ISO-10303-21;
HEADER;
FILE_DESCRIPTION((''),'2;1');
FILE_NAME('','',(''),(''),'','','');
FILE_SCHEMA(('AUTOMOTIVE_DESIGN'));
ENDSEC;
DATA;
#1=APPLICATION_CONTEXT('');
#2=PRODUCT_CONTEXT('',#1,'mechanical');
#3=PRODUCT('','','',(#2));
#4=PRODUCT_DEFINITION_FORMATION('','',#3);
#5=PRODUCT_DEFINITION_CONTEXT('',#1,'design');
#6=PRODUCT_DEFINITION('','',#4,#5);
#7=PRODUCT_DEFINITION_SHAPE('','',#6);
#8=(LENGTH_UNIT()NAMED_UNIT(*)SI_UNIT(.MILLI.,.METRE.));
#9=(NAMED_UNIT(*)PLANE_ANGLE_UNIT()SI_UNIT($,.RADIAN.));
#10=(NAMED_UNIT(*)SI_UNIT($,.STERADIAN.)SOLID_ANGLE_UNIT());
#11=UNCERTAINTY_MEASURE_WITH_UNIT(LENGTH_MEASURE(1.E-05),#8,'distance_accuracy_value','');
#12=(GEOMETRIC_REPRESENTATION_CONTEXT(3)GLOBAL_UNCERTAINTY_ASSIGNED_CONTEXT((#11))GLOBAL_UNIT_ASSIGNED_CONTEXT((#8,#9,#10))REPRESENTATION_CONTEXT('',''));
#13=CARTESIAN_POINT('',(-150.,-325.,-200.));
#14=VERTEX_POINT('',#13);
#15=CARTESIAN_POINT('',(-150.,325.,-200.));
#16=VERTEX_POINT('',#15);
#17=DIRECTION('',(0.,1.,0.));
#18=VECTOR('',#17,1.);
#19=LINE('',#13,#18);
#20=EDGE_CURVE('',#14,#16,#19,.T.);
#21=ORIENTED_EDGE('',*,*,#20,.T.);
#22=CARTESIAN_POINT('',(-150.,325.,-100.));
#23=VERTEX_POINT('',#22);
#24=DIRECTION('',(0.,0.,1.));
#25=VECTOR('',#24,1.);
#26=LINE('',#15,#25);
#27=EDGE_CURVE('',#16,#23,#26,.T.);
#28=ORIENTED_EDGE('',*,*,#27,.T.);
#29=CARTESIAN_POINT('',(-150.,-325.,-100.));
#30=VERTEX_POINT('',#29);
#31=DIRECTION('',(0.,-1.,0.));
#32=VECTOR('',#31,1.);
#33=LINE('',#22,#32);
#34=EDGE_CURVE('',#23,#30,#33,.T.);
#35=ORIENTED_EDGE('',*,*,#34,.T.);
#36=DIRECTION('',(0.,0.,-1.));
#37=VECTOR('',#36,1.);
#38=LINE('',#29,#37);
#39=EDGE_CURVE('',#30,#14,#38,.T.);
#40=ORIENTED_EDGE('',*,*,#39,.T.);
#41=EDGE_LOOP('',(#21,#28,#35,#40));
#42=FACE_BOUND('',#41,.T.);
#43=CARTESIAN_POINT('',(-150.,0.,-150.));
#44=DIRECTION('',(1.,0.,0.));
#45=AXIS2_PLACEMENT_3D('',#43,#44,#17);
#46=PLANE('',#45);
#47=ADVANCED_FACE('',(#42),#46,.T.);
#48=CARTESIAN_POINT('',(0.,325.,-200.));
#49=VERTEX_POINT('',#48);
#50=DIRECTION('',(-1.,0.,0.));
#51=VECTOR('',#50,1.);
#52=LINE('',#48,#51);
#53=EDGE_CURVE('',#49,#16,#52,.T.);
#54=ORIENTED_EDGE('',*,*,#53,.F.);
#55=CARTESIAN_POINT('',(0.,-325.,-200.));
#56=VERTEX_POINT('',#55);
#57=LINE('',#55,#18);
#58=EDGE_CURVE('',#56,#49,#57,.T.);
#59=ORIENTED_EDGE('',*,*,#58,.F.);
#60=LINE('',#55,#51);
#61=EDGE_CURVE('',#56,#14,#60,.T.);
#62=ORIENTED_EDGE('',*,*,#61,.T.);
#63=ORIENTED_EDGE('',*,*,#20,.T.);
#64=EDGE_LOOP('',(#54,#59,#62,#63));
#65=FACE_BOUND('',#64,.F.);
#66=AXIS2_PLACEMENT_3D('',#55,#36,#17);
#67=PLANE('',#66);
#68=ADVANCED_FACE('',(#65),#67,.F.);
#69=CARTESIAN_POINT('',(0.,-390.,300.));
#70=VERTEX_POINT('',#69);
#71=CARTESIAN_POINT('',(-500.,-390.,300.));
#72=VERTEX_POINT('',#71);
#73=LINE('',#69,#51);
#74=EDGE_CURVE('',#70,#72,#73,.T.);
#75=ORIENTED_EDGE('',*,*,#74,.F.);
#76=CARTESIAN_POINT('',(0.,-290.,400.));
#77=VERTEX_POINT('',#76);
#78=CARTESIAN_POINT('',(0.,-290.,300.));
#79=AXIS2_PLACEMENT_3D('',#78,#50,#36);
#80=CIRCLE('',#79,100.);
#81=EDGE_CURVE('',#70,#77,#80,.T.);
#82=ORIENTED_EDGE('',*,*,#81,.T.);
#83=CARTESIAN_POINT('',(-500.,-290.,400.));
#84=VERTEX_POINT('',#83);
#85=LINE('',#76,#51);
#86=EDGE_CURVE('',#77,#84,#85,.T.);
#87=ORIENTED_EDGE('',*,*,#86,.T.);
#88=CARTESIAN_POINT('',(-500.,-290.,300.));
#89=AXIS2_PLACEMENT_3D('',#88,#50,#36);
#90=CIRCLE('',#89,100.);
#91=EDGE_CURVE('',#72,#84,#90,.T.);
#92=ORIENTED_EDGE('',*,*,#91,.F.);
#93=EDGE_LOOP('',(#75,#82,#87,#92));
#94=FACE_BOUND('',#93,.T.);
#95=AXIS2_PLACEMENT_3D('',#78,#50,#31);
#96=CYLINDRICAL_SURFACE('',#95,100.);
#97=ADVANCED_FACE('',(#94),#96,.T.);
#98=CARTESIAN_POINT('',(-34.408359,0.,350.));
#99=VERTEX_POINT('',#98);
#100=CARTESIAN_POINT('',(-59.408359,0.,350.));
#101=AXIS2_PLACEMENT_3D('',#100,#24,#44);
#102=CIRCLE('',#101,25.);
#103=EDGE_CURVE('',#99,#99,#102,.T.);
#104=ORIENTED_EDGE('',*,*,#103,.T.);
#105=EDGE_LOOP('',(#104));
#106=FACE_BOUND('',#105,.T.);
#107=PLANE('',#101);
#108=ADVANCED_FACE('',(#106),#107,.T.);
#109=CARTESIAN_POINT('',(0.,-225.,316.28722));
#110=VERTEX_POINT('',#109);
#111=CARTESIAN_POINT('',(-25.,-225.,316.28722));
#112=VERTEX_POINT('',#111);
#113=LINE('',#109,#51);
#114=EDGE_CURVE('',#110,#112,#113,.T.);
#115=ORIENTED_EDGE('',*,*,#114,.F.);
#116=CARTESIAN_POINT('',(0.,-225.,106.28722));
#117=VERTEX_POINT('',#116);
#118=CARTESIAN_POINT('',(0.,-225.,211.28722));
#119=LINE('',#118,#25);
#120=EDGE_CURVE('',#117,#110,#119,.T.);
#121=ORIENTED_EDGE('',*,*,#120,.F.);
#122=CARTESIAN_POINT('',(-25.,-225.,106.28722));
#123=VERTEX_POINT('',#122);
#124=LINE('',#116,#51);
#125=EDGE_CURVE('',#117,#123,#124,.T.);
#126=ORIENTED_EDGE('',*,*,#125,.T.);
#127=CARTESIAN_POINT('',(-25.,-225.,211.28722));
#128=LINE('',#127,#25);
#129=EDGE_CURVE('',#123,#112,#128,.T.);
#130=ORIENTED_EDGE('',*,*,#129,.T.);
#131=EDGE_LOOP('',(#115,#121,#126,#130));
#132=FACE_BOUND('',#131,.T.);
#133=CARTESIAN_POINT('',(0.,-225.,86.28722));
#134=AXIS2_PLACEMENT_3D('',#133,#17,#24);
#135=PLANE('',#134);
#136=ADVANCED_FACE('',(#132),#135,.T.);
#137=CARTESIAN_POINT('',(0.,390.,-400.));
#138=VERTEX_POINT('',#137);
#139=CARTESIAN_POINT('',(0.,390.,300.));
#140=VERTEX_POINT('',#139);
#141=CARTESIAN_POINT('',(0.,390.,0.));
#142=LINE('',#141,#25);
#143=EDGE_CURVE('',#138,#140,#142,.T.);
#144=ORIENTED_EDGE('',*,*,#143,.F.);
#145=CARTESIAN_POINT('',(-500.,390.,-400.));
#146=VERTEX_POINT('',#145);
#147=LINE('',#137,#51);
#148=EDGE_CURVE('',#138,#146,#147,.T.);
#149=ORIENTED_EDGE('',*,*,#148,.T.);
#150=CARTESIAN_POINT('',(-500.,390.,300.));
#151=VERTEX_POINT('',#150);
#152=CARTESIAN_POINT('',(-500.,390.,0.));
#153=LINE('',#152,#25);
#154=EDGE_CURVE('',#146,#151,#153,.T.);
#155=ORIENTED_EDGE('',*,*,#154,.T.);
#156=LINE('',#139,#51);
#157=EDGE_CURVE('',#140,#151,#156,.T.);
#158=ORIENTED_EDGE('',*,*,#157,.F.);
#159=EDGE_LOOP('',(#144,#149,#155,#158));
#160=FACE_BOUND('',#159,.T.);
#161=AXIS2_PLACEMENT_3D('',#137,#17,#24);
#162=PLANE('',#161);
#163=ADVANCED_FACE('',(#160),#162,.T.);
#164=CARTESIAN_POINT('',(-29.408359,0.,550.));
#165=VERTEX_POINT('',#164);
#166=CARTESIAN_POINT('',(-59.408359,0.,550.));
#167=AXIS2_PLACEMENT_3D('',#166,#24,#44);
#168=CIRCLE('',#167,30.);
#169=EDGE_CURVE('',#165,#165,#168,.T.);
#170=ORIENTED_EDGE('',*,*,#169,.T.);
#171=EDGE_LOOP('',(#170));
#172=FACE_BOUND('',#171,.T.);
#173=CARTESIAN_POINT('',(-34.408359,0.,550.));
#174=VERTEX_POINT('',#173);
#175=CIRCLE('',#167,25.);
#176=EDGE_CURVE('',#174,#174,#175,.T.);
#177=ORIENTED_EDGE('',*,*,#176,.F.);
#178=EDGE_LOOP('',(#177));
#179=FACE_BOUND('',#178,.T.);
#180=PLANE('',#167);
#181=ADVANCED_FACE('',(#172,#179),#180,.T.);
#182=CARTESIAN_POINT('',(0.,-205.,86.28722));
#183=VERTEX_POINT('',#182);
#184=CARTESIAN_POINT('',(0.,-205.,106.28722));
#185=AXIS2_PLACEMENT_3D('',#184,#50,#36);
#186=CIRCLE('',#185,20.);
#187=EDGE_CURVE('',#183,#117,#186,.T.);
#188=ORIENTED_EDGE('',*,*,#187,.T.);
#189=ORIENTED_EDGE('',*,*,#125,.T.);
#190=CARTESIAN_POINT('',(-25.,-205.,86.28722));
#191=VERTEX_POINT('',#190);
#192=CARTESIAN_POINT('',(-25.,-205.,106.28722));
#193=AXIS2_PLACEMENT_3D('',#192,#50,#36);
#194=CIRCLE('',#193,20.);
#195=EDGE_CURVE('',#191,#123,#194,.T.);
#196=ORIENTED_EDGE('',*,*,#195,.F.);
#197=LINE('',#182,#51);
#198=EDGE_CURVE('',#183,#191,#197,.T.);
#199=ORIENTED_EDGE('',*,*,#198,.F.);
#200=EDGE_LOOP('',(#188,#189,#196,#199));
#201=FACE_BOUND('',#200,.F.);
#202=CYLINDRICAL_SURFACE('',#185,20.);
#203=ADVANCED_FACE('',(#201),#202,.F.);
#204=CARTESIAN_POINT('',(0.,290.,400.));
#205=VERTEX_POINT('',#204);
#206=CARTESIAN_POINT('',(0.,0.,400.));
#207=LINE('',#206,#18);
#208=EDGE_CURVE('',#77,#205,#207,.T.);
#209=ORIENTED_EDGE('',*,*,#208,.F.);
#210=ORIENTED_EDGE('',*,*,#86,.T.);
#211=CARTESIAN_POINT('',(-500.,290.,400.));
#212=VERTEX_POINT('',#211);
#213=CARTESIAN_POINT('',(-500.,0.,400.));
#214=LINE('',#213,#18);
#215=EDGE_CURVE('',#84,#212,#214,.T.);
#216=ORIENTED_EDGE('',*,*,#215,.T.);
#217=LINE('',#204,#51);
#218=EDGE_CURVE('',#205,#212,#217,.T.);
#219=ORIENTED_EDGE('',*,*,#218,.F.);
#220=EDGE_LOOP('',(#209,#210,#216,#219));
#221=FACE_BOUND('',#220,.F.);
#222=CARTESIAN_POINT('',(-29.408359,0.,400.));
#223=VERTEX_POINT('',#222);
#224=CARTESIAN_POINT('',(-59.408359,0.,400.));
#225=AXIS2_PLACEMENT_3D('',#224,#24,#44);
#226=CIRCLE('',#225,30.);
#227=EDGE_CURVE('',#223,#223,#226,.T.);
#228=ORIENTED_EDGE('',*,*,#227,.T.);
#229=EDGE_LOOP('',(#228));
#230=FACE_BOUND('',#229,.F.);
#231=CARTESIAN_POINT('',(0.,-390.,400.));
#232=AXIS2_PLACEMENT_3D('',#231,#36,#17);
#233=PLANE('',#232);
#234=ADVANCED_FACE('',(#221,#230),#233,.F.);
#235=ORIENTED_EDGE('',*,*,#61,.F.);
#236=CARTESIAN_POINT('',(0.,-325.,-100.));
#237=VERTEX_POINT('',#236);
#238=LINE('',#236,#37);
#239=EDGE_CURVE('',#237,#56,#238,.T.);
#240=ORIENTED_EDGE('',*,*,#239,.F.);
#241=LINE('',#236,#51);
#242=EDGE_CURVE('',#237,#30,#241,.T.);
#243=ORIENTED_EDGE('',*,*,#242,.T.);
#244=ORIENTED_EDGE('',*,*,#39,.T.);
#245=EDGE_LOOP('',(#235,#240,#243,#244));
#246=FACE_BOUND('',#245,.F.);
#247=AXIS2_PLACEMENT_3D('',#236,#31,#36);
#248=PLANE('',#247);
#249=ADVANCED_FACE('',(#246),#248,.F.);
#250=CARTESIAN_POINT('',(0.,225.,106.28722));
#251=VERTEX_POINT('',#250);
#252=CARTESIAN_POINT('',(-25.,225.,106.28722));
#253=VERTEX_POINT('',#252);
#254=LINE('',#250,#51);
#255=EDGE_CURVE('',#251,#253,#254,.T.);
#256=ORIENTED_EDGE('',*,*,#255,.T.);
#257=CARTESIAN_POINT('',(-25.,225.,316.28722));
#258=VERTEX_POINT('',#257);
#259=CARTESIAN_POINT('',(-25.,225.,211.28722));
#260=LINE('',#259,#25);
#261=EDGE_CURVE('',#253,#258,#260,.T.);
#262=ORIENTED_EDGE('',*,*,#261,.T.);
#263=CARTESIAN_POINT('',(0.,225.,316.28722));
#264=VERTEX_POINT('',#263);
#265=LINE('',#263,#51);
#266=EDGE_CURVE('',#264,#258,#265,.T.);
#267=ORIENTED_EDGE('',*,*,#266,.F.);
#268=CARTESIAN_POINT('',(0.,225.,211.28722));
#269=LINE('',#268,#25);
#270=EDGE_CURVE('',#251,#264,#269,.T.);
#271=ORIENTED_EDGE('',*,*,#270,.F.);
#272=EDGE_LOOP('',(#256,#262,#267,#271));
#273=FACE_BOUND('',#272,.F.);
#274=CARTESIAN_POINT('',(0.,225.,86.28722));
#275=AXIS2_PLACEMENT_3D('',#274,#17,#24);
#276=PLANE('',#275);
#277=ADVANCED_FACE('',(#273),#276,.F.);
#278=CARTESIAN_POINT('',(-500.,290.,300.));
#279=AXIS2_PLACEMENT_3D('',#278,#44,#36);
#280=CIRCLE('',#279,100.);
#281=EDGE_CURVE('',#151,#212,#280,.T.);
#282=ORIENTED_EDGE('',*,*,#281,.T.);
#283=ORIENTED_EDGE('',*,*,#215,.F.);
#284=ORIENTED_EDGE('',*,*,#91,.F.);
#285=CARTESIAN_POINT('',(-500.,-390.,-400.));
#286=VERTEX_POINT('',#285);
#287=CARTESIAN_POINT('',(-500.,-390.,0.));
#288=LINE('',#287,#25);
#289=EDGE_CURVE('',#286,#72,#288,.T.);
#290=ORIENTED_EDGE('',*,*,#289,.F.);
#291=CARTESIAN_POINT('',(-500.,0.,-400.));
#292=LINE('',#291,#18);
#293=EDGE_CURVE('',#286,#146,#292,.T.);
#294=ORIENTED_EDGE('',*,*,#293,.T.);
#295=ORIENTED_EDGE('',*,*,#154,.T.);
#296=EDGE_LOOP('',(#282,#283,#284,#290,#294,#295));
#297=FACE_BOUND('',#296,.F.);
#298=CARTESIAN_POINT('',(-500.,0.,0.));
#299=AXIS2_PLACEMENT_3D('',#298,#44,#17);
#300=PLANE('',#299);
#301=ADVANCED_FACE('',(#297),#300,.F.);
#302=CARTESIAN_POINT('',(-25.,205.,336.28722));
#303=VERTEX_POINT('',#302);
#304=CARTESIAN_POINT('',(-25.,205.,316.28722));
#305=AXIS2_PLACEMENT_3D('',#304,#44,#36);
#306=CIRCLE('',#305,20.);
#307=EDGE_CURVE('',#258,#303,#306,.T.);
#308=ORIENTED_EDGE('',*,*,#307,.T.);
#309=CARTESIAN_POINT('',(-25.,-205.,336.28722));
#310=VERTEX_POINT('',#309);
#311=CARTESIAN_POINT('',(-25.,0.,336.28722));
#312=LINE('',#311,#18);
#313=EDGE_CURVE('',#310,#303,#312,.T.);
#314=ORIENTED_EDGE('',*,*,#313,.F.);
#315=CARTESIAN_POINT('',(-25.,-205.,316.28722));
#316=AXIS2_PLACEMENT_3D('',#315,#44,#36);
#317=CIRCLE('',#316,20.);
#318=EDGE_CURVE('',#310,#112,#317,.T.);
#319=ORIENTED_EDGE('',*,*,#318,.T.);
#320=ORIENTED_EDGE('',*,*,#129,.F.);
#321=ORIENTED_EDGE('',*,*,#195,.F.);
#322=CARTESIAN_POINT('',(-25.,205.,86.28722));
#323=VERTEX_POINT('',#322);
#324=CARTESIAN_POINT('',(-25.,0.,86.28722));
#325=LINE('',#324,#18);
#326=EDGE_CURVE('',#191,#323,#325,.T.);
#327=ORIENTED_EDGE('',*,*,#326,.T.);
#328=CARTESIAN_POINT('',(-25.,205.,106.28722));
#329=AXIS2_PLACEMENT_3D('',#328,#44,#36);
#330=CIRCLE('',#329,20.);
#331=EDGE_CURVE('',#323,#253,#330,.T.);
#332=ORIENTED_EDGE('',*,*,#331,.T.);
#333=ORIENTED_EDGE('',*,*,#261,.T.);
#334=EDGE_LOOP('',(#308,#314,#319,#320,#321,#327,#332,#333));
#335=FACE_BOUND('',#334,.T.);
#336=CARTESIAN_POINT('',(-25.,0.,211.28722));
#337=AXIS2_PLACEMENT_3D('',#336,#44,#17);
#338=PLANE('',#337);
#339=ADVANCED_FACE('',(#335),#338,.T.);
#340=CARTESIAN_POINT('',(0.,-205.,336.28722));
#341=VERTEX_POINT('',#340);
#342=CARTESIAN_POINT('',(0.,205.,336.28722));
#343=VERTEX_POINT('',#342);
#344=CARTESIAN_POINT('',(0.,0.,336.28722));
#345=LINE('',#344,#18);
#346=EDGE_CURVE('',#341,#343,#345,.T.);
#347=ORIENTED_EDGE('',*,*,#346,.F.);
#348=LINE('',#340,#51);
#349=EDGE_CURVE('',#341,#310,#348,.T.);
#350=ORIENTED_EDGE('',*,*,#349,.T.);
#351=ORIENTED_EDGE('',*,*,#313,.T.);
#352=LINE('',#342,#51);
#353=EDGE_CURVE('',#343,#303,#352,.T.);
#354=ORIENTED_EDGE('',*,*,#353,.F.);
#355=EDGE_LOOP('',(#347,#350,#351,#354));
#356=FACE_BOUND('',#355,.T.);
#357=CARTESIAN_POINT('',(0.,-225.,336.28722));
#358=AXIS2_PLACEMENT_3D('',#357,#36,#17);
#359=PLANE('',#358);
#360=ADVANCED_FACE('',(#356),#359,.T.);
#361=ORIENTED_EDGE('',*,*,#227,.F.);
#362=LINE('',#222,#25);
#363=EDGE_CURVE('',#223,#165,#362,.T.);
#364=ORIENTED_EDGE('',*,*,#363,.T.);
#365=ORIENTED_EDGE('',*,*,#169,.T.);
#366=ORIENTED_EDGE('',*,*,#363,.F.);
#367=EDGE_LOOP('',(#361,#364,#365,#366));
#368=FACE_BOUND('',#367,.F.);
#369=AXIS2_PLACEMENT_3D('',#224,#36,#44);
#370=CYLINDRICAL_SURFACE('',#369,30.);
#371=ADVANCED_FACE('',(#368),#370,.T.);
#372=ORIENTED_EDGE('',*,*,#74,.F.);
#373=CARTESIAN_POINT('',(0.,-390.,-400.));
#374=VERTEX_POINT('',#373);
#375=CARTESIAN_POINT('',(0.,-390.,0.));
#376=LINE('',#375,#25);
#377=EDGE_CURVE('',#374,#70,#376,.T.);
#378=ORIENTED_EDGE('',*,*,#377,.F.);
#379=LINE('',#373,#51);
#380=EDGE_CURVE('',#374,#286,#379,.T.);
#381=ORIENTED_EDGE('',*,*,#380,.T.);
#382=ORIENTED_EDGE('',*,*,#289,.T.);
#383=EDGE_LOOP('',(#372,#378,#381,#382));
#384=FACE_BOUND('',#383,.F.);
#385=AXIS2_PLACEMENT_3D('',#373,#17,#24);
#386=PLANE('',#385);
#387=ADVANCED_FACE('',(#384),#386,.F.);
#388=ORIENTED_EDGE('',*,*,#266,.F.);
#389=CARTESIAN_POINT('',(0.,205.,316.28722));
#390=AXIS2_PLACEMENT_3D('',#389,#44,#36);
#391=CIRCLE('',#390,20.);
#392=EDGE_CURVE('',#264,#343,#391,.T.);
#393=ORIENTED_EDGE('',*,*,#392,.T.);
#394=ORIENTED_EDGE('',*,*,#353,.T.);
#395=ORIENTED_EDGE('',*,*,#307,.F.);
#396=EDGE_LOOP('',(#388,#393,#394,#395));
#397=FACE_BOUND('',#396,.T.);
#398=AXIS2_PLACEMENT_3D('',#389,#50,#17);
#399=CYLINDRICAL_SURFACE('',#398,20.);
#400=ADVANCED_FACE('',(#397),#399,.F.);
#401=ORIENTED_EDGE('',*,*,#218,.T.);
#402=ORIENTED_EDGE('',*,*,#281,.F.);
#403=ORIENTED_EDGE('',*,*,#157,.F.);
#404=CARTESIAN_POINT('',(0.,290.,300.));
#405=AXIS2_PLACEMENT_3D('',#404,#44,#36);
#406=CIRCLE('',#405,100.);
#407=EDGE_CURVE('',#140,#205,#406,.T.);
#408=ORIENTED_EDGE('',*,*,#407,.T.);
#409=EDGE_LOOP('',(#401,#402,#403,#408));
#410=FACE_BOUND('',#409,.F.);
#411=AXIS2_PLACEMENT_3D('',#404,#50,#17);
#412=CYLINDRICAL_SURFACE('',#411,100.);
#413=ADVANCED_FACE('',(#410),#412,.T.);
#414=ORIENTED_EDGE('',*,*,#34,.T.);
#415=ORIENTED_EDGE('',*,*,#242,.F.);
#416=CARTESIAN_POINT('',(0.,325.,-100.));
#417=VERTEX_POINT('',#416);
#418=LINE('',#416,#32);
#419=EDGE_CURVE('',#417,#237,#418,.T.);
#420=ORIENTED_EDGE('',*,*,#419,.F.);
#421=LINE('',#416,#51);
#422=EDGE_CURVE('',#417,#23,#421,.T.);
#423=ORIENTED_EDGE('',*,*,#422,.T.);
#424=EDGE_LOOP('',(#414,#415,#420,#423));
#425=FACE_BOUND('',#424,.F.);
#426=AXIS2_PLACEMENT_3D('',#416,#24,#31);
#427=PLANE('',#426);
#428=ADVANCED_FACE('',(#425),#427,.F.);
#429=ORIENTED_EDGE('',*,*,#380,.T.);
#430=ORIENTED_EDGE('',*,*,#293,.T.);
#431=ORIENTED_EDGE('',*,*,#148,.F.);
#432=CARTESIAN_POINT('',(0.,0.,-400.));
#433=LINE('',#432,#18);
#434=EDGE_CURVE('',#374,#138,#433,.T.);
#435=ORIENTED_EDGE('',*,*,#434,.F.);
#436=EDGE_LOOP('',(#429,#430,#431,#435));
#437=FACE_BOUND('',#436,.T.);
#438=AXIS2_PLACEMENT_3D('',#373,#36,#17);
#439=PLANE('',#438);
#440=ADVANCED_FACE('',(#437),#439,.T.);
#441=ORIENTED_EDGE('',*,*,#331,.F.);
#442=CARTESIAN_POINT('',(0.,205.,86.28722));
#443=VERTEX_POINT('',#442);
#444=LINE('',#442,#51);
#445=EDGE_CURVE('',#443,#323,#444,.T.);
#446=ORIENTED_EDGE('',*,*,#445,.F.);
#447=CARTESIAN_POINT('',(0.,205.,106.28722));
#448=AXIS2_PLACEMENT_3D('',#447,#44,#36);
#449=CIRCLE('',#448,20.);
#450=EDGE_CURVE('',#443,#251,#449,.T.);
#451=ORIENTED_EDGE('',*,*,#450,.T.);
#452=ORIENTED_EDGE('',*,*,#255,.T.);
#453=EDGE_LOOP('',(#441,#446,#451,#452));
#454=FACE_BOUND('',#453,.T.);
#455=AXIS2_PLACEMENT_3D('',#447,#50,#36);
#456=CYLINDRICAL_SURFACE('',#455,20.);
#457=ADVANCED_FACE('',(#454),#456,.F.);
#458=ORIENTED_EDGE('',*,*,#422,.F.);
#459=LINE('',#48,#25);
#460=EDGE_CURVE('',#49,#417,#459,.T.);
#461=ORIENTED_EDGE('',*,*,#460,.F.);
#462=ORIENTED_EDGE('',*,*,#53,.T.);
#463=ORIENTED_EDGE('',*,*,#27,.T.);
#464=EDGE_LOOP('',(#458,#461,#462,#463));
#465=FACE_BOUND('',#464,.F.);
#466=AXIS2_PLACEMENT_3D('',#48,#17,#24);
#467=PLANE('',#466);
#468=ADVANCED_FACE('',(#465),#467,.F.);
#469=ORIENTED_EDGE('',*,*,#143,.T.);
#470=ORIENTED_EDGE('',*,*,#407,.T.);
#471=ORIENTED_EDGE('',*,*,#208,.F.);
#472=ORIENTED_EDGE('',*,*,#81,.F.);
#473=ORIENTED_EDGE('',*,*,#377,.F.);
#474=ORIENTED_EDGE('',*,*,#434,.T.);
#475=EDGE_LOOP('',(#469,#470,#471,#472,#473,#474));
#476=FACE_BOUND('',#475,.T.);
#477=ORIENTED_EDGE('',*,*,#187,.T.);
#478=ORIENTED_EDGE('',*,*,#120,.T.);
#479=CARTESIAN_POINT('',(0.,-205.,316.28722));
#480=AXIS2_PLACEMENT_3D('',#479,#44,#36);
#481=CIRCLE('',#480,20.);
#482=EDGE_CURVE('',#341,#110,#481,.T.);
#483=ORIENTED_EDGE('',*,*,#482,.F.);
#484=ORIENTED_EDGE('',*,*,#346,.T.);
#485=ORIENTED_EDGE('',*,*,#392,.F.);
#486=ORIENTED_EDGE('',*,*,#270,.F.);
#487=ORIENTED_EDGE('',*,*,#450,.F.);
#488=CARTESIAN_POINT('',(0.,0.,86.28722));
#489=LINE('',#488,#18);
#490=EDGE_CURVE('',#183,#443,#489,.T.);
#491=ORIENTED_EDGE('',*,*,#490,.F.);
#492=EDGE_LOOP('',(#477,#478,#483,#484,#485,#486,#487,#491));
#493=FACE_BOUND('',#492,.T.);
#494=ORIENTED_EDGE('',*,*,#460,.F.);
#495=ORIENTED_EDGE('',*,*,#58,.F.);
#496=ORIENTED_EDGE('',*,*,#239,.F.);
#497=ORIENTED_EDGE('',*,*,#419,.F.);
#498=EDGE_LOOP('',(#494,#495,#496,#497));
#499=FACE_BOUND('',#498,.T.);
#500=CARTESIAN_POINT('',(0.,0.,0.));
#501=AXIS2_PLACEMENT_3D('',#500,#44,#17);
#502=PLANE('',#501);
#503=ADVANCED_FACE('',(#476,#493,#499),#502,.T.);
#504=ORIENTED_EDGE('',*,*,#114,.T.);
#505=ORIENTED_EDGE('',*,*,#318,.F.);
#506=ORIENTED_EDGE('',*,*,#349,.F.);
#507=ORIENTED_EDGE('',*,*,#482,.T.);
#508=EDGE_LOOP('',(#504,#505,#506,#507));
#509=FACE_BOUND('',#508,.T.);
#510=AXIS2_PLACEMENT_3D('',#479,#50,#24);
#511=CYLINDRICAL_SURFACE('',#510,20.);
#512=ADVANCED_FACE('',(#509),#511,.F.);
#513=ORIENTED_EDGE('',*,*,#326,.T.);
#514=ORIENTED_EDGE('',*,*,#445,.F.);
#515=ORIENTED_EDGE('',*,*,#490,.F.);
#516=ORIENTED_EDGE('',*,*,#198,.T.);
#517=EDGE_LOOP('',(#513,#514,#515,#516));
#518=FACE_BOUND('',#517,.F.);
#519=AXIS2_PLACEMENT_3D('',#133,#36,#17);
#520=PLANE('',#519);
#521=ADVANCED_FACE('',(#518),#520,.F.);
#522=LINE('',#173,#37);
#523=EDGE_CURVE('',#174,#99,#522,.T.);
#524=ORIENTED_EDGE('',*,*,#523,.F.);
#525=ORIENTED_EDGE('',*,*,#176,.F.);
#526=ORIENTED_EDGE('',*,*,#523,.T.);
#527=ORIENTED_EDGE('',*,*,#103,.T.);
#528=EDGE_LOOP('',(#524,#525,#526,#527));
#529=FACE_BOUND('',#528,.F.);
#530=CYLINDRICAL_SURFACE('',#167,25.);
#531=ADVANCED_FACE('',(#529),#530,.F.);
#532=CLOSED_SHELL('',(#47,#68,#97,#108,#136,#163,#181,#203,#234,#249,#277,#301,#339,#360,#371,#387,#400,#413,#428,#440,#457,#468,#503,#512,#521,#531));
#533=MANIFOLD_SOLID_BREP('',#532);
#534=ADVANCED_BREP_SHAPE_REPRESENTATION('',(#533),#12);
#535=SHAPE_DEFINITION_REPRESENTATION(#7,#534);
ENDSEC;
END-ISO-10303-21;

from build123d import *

# Parameters (mm, degrees)
F0_W      = 780
F0_H      = 800
F1_DEPTH  = 500
F2_R      = 100
F3_R      = 30
F4_DEPTH  = 150
F5_R      = 25
F6_DEPTH  = 200
F7_W      = 450
F7_H      = 250
F8_DEPTH  = 25
F9_R      = 20
F11_DEPTH = 150


with BuildPart() as f1:
    # F0 (on Right) → F1 (new body)
    with BuildSketch(Plane.YZ):
        Rectangle(F0_W, F0_H)
    extrude(amount=-F1_DEPTH)

    # F2
    f2_edges = [f1.edges().sort_by_distance(p)[0] for p in [
        (-250, -390, 400),
        (-250, 390, 400),
    ]]
    fillet(f2_edges, radius=F2_R)

    # F3 (on face) → F4 (join)
    with BuildSketch(Plane.XY.offset(400)):
        with Locations((-59.408359, 0)):
            Circle(F3_R)
    extrude(amount=F4_DEPTH)

    # F5 (on face) → F6 (cut)
    with BuildSketch(Plane.XY.offset(550)):
        with Locations((-59.408359, 0)):
            Circle(F5_R)
    extrude(amount=-F6_DEPTH, mode=Mode.SUBTRACT)

    # F7 (on face) → F8 (cut)
    with BuildSketch(Plane.YZ):
        with Locations((0, 211.28722)):
            Rectangle(F7_W, F7_H)
    extrude(amount=-F8_DEPTH, mode=Mode.SUBTRACT)

    # F9
    f9_edges = [f1.edges().sort_by_distance(p)[0] for p in [
        (-12.5, -225, 336.28722),
        (-12.5, 225, 336.28722),
        (-12.5, -225, 86.28722),
        (-12.5, 225, 86.28722),
    ]]
    fillet(f9_edges, radius=F9_R)

    # F10 (on face) → F11 (cut)
    with BuildSketch(Plane.YZ):
        Polygon((0, -200), (325, -200), (325, -100), (-325, -100), (-325, -200), align=None)
    extrude(amount=-F11_DEPTH, mode=Mode.SUBTRACT)


solid = f1.part
